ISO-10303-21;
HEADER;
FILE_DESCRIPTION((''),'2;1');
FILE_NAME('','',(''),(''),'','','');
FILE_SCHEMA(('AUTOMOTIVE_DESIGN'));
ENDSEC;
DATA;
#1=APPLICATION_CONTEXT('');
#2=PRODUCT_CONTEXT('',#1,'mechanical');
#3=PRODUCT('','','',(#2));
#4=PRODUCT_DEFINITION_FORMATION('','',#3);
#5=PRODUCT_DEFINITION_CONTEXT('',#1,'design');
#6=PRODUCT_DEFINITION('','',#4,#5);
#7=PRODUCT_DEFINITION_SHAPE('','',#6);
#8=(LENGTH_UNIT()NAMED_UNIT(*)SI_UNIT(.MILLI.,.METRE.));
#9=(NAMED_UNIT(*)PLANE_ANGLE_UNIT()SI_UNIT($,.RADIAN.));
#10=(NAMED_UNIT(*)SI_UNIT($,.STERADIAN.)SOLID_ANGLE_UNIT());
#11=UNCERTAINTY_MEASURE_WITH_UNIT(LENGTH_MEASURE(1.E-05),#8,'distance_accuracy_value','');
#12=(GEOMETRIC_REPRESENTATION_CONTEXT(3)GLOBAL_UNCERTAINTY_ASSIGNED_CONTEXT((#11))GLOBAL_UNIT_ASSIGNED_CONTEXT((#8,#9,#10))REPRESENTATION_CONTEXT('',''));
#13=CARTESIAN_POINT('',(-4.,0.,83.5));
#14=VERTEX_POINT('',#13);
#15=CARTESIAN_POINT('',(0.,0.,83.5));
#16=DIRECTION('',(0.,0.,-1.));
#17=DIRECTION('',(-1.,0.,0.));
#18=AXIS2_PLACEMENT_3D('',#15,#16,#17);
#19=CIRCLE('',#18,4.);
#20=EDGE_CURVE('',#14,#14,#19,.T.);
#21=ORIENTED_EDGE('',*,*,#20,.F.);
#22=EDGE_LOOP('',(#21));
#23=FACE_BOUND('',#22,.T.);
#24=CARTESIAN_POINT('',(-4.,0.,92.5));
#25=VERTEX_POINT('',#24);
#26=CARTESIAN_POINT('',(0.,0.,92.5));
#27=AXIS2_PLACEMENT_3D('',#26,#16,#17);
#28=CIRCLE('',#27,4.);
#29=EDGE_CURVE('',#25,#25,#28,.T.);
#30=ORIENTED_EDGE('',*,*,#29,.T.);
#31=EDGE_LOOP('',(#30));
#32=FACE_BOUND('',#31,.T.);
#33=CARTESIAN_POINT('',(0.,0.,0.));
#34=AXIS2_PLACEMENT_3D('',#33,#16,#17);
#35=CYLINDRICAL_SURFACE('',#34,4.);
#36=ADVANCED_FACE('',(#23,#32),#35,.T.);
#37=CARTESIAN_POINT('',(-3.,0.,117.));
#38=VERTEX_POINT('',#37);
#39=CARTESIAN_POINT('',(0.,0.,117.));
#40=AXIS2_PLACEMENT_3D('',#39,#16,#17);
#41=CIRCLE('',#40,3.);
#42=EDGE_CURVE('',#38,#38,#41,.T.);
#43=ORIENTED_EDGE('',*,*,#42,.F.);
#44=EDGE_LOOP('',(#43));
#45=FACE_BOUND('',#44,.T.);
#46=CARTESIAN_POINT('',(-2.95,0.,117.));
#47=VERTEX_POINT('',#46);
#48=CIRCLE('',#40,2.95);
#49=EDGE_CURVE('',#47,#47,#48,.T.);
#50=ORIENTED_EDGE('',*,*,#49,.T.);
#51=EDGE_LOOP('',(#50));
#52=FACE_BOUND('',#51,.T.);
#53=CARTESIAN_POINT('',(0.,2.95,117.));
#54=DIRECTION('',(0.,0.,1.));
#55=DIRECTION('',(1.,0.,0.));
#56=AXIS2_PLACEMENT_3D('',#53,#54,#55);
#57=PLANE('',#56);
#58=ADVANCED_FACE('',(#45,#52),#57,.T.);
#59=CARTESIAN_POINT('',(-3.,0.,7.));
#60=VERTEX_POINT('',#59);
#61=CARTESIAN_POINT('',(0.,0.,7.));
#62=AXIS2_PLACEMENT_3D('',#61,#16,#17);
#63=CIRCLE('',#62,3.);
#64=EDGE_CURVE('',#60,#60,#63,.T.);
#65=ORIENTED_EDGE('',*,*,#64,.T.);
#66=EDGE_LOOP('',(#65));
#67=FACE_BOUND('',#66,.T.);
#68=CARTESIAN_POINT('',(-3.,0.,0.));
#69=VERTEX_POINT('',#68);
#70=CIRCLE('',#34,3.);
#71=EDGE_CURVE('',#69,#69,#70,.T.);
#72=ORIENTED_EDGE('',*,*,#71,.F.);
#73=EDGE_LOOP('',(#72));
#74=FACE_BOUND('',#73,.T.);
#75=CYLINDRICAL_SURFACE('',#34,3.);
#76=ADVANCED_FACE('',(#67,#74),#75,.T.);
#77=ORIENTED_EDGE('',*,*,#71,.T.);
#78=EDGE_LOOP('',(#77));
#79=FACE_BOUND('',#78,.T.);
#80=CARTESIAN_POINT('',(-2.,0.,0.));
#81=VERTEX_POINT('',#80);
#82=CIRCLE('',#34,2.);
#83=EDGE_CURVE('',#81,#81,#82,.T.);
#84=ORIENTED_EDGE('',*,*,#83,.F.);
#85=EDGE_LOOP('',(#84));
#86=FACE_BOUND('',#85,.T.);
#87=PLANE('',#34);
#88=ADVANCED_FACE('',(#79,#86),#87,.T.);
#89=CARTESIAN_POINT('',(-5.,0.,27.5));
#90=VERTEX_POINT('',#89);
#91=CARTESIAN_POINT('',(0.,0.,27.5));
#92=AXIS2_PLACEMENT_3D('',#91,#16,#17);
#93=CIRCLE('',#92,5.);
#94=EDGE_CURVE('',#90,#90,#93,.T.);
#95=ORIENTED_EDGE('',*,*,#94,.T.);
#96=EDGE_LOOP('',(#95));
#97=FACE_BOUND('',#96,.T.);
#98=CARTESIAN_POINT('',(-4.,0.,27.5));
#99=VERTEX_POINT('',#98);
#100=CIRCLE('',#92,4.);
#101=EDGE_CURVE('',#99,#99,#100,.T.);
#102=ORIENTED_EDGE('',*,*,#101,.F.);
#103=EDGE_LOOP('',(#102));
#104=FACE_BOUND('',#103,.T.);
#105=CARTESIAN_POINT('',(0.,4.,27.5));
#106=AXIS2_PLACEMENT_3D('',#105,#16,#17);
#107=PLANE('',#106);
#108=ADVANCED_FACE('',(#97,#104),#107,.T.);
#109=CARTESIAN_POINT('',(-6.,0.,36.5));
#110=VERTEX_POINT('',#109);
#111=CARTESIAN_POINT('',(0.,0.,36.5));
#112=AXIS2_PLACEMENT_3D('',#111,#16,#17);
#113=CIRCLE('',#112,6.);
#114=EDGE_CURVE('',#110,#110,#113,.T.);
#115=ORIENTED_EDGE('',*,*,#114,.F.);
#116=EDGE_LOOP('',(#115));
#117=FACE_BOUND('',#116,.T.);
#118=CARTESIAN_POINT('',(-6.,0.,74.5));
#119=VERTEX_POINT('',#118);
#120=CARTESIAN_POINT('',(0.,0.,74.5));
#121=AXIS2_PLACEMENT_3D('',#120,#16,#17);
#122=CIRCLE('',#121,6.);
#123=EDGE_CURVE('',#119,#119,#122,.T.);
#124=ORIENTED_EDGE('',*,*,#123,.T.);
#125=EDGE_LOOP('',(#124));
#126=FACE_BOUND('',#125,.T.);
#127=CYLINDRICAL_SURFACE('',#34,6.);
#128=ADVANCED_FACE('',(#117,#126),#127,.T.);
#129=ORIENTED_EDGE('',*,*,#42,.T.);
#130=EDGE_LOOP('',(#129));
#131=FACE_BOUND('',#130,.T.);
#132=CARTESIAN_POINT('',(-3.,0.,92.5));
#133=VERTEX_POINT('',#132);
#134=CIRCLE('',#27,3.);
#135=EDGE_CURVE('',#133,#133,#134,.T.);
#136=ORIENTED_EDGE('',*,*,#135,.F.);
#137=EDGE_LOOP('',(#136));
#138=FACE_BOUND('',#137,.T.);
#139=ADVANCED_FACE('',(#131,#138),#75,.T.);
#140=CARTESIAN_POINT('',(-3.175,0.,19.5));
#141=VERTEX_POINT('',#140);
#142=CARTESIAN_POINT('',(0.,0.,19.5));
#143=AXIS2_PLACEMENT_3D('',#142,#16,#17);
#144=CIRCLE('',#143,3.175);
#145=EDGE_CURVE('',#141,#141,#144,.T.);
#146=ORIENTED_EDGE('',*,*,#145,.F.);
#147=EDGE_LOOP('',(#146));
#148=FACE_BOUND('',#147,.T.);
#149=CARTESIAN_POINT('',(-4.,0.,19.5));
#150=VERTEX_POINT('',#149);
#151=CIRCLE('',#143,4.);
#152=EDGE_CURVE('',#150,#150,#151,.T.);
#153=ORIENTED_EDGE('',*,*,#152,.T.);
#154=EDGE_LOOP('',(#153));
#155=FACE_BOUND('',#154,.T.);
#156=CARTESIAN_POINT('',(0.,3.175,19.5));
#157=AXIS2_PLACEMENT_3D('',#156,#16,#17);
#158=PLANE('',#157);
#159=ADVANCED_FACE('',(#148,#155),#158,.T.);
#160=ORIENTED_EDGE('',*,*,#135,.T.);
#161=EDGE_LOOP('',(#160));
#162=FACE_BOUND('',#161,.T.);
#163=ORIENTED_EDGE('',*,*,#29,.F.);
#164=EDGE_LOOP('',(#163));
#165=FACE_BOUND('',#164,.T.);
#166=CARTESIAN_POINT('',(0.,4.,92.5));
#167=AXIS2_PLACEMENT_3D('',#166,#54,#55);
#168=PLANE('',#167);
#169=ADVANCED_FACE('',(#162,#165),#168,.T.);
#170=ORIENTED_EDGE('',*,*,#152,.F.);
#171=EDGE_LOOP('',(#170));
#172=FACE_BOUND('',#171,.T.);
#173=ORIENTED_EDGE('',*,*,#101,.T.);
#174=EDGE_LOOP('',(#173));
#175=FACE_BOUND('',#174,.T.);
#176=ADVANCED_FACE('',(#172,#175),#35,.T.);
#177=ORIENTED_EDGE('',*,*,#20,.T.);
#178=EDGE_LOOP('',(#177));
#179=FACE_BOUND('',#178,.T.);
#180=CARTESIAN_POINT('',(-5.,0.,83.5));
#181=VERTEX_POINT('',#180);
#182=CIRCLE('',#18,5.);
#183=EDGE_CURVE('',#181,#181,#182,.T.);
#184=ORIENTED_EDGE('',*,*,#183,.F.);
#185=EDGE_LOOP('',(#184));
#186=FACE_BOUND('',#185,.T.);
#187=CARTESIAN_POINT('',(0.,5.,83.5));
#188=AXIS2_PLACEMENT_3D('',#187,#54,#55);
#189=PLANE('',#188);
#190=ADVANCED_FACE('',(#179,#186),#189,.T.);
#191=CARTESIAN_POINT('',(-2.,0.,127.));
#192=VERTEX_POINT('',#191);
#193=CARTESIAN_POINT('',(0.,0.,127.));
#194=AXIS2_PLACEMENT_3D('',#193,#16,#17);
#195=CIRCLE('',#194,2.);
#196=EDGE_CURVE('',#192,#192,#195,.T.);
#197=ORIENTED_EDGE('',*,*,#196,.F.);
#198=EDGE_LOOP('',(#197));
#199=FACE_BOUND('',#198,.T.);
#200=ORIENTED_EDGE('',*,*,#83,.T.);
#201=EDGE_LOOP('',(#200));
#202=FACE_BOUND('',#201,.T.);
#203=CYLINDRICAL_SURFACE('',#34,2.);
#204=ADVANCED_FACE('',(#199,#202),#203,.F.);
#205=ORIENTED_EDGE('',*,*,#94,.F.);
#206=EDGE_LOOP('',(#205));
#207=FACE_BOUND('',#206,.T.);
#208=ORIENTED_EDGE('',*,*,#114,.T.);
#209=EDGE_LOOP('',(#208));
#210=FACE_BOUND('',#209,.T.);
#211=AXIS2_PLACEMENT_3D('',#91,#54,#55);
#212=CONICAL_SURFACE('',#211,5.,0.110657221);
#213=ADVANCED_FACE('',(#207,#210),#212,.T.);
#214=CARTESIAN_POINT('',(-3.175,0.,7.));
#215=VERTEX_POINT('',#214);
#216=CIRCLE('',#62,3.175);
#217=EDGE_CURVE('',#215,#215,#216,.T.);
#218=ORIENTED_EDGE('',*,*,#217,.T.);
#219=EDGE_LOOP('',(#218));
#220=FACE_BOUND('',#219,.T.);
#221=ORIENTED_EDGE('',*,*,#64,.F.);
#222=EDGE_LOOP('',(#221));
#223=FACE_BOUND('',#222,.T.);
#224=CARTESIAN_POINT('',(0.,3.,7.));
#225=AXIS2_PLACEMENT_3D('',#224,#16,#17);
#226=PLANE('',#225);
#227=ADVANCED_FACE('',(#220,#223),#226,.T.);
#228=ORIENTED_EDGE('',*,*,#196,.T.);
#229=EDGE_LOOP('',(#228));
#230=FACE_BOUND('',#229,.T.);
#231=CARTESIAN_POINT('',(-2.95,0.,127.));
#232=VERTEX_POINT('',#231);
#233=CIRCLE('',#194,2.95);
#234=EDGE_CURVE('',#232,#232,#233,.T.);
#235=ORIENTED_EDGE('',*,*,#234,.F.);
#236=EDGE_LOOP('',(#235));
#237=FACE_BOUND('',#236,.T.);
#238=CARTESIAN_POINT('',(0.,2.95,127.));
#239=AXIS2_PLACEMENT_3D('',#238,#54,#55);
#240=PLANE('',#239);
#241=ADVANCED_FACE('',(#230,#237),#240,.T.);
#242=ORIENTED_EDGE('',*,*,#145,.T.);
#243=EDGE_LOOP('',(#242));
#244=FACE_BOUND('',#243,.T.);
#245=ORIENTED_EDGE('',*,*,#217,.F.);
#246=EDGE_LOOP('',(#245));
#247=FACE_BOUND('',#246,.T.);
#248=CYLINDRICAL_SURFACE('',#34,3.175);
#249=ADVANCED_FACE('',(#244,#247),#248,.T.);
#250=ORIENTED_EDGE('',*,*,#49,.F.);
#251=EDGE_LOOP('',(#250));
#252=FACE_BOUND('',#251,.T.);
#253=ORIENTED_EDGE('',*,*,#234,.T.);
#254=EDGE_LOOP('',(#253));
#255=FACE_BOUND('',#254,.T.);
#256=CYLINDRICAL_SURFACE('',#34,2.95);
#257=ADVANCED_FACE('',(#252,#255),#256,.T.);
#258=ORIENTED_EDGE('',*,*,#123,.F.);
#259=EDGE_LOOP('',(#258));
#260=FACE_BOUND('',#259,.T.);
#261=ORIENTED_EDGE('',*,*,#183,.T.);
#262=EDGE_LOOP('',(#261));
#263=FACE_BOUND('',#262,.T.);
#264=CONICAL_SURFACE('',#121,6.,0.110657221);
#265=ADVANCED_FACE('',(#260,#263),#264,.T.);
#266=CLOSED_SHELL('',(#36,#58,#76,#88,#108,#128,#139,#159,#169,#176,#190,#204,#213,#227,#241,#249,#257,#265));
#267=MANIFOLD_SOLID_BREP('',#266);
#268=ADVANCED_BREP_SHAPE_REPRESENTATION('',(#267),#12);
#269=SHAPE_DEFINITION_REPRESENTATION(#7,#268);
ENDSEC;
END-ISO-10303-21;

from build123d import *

# Parameters (mm, degrees)
F_4_0_4_DIAMETER_HOLE1_D = 4


with BuildPart() as part:
    # Sketch1 → Revolve1 (revolve)
    with BuildSketch(Plane(origin=(0, 0, 0), x_dir=(0, 0, -1), z_dir=(1, 0, 0)), mode=Mode.PRIVATE) as revolve1_sk:
        Polygon((0, 0), (0, 3), (-7, 3), (-7, 3.175), (-19.5, 3.175), (-19.5, 4), (-27.5, 4), (-27.5, 5), (-36.5, 6), (-74.5, 6), (-83.5, 5), (-83.5, 4), (-92.5, 4), (-92.5, 3), (-117, 3), (-117, 2.95), (-127, 2.95), (-127, 0), align=None)
    revolve(revolve1_sk.sketch.rotate(Axis((0, 0, 0), (0, 0, 1)), 90), axis=Axis((0, 0, 0), (0, 0, 1)))

    # Ø4.0 (4) Diameter Hole1 (through all)
    with Locations(Plane(origin=(0, 0, 0), x_dir=(-1, 0, 0), z_dir=(0, 0, -1))):
        with Locations((0, 0)):
            Hole(F_4_0_4_DIAMETER_HOLE1_D / 2)


solid = part.part
